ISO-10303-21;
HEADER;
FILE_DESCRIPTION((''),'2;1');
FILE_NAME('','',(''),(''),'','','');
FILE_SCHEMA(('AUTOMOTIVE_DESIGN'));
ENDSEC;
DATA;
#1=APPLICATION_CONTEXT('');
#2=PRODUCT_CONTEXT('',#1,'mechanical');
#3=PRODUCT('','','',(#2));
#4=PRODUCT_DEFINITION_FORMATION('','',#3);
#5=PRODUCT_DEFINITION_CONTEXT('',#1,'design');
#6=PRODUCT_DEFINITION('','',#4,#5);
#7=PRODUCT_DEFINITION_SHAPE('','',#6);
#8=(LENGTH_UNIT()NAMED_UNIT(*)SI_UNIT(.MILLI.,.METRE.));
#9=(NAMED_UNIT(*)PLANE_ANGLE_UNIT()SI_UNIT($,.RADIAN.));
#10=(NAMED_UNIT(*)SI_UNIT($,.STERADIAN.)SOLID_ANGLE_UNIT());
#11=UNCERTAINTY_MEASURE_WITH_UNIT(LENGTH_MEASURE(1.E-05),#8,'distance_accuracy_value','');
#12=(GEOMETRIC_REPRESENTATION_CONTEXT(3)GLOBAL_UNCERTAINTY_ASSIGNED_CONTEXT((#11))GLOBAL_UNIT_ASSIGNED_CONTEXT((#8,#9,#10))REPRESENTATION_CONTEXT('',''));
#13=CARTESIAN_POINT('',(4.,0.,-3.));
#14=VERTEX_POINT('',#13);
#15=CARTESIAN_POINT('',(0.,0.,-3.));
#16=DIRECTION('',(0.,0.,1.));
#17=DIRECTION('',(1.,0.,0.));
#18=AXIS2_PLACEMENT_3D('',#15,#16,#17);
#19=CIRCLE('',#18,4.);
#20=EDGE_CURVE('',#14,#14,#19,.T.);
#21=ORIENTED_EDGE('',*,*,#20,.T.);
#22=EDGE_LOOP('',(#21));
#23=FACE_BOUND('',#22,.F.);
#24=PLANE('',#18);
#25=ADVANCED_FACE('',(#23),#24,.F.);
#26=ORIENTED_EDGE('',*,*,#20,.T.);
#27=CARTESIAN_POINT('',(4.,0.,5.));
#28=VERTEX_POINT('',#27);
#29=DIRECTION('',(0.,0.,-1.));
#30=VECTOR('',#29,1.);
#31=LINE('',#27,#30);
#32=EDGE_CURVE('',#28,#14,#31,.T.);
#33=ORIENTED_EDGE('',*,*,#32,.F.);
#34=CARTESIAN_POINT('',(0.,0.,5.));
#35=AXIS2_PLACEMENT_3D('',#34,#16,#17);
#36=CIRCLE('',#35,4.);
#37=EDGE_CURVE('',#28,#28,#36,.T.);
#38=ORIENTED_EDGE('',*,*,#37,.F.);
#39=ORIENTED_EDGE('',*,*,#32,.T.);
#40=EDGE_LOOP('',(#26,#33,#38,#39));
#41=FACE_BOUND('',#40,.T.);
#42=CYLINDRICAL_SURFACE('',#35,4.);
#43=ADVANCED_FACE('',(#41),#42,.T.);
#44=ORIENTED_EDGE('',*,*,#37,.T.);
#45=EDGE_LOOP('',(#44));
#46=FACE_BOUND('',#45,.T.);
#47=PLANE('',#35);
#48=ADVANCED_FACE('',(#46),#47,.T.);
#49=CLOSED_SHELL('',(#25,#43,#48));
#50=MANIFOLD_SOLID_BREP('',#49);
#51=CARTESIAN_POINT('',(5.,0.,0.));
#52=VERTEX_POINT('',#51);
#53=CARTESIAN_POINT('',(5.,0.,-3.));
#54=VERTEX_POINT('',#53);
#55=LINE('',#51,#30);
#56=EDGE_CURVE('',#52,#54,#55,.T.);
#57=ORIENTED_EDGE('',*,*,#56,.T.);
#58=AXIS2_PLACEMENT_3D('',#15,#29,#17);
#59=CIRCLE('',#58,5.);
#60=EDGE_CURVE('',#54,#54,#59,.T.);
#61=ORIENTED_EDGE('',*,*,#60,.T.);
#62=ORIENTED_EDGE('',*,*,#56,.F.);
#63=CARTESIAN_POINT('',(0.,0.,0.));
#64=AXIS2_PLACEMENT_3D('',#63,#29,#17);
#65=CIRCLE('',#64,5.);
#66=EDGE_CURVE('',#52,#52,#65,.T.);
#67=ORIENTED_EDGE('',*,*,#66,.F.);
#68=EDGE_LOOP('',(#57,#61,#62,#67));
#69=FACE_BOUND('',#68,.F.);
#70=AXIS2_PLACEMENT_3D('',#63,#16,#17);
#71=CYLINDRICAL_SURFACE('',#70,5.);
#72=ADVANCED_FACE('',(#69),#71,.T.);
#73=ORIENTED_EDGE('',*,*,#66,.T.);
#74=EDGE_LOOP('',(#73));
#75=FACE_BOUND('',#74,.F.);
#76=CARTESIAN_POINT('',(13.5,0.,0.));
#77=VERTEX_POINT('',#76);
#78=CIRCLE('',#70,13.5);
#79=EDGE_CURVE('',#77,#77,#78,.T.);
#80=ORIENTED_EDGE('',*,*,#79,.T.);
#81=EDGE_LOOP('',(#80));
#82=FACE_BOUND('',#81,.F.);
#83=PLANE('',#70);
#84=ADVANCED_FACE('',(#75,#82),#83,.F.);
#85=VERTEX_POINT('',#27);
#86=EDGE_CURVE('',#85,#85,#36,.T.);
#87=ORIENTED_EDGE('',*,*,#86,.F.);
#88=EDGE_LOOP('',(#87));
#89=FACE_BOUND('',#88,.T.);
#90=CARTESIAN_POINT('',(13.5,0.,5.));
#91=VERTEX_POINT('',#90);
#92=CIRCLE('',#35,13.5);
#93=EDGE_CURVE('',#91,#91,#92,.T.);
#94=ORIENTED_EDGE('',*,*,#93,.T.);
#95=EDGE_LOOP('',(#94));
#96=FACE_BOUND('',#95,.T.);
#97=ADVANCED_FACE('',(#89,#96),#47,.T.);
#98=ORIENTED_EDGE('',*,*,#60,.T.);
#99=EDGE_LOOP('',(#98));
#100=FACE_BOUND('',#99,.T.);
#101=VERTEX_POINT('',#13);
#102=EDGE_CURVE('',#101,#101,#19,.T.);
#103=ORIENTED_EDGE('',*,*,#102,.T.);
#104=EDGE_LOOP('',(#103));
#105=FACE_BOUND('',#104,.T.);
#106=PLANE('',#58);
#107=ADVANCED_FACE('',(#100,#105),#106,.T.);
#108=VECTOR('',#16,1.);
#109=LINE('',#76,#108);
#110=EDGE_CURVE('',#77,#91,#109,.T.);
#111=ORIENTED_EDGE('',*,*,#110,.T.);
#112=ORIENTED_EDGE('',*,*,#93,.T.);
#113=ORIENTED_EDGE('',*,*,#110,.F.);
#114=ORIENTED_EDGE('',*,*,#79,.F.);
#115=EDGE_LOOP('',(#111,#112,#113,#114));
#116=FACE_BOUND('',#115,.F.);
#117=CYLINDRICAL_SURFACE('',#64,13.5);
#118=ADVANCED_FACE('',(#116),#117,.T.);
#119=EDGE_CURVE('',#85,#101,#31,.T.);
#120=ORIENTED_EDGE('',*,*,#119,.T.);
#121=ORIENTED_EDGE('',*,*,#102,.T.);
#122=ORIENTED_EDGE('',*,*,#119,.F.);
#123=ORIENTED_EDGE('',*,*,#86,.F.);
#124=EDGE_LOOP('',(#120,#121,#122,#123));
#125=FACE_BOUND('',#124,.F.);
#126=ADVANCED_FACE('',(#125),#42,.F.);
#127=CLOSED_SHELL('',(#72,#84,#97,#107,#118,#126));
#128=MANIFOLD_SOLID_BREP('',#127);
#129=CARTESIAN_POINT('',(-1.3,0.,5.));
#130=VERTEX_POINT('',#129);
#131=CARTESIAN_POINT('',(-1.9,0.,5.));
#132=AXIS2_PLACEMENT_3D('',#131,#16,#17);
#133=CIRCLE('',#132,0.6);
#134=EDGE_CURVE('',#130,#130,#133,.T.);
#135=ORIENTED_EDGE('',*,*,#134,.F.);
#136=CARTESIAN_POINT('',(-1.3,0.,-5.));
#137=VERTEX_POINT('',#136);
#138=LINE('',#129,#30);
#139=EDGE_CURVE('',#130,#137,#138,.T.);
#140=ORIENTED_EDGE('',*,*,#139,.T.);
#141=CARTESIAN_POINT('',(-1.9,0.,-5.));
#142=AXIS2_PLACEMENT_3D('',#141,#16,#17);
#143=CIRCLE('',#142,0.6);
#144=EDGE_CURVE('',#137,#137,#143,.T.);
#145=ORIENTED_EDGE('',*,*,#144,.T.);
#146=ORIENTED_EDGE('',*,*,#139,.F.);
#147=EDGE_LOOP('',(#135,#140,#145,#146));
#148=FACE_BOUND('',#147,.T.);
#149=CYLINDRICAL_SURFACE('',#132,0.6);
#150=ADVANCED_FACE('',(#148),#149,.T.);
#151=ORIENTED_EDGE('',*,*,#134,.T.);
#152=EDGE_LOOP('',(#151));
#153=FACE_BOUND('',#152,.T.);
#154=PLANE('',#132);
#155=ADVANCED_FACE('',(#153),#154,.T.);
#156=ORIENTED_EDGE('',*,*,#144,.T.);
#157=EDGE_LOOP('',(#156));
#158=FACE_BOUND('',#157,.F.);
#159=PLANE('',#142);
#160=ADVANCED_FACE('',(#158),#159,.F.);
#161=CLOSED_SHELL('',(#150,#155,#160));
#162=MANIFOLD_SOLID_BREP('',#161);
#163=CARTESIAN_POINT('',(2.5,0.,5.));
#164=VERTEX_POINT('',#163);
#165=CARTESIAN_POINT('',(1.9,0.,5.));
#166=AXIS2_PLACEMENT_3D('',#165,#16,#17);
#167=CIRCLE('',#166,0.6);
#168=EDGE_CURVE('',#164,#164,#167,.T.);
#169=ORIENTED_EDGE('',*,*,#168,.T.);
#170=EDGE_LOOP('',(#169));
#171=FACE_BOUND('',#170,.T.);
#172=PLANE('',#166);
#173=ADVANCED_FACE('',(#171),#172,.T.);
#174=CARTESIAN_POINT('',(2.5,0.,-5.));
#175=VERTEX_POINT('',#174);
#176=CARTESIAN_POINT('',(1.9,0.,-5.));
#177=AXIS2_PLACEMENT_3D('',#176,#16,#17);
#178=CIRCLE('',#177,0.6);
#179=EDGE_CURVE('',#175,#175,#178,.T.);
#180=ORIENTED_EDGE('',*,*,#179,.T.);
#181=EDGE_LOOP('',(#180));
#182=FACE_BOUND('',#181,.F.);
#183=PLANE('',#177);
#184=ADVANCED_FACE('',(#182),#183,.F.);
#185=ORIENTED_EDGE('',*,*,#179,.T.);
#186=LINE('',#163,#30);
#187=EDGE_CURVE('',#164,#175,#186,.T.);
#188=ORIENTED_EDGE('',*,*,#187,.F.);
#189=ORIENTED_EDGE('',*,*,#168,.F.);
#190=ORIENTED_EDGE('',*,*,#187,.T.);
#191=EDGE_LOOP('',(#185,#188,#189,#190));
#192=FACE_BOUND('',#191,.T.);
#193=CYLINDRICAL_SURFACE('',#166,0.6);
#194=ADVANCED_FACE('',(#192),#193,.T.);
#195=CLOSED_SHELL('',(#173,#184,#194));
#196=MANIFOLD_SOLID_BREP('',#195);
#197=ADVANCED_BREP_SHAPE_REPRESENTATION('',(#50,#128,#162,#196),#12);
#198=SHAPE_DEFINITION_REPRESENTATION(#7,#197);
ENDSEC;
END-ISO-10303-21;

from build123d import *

# Parameters (mm, degrees)
F0_R     = 13.5
F1_DEPTH = 5
F2_R     = 5
F3_DEPTH = 3
F4_R     = 4
F5_DEPTH = 25
F6_R     = 4
F7_DEPTH = 8
F8_R     = 0.6
F9_DEPTH = 10


with BuildPart() as f1:
    # F0 (on Top) → F1 (new body)
    with BuildSketch(Plane.XY):
        Circle(F0_R)
    extrude(amount=F1_DEPTH)

    # F2 (on face) → F3 (join)
    with BuildSketch(Plane(origin=(0, 0, 0), x_dir=(1, 0, 0), z_dir=(0, 0, -1))):
        Circle(F2_R)
    extrude(amount=F3_DEPTH)

    # F4 (on face) → F5 (cut)
    with BuildSketch(Plane.XY.offset(5)):
        Circle(F4_R)
    extrude(amount=-F5_DEPTH, mode=Mode.SUBTRACT)


with BuildPart() as f7:
    # F6 (on face) → F7 (new body)
    with BuildSketch(Plane.XY.offset(5)):
        Circle(F6_R)
    extrude(amount=-F7_DEPTH)


with BuildPart() as f9:
    # F8 (on face) → F9 (new body)
    with BuildSketch(Plane.XY.offset(5)):
        with Locations((-1.9, 0)):
            Circle(F8_R)
        with Locations((1.9, 0)):
            Circle(F8_R)
    extrude(amount=-F9_DEPTH)


solid = Compound([f1.part, f7.part, f9.part])
